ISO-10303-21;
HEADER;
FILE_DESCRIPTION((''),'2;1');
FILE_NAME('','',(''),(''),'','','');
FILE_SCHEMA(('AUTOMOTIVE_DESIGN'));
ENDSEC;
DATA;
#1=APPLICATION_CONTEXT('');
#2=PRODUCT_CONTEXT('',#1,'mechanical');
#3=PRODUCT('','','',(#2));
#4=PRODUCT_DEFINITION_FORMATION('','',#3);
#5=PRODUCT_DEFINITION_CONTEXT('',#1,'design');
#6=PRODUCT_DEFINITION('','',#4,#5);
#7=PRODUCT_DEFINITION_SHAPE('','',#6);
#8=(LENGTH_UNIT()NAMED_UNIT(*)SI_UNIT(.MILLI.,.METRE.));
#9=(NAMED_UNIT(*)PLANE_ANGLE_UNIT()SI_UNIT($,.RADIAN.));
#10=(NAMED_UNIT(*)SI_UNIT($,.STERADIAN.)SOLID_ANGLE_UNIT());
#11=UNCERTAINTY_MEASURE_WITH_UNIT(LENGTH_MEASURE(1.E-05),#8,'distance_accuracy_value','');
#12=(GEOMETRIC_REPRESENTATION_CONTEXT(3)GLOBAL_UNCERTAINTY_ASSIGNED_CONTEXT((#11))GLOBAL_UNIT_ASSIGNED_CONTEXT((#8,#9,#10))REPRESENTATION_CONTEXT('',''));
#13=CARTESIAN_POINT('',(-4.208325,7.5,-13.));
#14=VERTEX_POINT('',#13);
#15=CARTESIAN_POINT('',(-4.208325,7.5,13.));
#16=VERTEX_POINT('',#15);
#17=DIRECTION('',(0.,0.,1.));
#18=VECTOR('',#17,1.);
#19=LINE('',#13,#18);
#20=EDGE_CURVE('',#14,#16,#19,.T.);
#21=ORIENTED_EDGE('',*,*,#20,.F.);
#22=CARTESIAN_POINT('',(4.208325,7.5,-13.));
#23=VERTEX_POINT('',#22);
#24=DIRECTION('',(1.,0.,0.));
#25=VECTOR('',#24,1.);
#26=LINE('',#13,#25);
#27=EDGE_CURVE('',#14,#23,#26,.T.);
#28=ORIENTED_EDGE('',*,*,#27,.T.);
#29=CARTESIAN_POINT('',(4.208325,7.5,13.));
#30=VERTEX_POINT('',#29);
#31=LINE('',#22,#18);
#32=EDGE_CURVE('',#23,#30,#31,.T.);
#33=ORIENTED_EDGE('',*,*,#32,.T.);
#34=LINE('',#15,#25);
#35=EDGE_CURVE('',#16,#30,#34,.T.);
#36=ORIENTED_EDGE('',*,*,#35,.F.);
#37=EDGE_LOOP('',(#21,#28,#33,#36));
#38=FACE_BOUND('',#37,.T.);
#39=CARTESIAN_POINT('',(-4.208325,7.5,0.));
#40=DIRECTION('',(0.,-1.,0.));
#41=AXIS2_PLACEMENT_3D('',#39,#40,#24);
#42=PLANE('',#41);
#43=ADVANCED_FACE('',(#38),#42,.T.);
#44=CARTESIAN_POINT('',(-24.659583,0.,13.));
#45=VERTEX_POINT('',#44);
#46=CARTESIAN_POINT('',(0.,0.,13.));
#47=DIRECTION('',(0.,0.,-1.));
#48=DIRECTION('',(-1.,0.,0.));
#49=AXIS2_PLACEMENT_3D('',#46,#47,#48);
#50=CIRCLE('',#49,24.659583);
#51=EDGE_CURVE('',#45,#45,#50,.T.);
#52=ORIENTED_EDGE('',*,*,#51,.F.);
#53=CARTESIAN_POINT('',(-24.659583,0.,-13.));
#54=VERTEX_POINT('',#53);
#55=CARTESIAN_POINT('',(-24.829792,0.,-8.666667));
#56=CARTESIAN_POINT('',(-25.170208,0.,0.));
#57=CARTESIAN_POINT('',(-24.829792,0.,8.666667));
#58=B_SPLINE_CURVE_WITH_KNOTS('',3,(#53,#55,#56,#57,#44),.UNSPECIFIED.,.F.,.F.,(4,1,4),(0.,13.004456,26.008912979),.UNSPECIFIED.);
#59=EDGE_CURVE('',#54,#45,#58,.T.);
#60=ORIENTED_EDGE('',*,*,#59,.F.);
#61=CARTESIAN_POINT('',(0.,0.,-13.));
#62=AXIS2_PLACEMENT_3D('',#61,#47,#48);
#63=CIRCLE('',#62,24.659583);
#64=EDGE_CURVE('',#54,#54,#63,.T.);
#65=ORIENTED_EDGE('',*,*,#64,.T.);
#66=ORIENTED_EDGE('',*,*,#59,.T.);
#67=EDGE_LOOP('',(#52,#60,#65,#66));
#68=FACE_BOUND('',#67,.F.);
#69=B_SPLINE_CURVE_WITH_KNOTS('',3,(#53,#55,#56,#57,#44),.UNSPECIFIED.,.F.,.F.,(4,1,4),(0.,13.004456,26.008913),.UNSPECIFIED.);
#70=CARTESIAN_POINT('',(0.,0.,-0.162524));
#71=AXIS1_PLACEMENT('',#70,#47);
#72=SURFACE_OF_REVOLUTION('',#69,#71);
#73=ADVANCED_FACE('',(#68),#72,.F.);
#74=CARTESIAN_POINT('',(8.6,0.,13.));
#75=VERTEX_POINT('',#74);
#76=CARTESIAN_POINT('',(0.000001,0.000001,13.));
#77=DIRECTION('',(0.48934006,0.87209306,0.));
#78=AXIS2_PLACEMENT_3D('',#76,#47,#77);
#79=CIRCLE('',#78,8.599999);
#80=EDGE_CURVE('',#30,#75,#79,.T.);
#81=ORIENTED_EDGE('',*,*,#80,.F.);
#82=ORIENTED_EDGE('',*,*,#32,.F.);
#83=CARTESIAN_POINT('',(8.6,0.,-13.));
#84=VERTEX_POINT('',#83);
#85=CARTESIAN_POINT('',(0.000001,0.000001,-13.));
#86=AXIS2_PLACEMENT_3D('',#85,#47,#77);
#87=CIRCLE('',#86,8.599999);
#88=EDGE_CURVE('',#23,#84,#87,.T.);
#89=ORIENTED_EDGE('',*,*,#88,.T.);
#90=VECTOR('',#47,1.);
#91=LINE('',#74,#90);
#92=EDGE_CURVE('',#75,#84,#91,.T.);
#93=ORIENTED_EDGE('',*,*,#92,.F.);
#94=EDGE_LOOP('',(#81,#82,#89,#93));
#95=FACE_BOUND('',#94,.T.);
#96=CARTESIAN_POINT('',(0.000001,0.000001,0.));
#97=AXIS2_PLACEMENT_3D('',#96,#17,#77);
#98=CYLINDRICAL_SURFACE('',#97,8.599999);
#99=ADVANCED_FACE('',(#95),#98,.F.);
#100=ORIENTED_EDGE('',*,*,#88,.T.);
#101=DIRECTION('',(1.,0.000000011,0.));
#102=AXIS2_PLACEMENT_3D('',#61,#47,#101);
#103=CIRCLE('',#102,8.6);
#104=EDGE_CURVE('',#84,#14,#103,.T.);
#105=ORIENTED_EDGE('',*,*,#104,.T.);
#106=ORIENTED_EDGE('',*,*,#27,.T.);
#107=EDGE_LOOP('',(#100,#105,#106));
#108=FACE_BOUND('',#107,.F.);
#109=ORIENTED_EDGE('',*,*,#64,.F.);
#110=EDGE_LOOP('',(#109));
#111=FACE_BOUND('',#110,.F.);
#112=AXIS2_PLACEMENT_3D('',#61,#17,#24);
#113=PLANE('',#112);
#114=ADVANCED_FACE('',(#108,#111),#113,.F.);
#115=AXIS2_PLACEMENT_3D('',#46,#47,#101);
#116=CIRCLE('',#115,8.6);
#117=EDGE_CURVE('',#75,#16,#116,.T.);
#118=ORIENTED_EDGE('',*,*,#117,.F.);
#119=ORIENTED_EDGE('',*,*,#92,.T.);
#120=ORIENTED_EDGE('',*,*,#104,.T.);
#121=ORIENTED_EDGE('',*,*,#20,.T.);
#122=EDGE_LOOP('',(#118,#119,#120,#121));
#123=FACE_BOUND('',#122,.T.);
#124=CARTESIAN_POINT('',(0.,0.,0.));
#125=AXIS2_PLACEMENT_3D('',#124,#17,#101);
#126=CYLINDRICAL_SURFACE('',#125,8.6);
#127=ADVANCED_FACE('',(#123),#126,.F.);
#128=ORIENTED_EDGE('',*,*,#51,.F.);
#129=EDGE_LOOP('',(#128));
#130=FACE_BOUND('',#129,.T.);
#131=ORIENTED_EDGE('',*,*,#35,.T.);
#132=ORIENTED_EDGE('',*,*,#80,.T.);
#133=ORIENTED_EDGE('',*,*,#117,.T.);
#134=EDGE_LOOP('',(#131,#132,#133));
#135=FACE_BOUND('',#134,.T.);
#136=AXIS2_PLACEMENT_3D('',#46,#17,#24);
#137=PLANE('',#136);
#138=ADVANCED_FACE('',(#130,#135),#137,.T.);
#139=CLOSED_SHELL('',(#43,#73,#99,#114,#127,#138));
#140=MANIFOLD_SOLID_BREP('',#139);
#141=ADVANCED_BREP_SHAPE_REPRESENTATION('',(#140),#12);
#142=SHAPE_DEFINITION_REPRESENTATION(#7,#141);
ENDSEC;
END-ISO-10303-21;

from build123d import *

# Parameters (mm, degrees)
F0_R     = 25
F1_DEPTH = 13


with BuildPart() as f1:
    # F0 (on Top) → F1 (new body, symmetric)
    with BuildSketch(Plane.XY):
        Circle(F0_R)
        with BuildLine():
            ThreePointArc((4.208325, 7.5), (7.421307, 4.345596), (8.6, 0))
            ThreePointArc((8.6, 0), (-4.345596, -7.421307), (-4.208325, 7.5))
            ThreePointArc((-4.208325, 7.5), (0, 8.6), (4.208325, 7.5))
        make_face(mode=Mode.SUBTRACT)
        with BuildLine():
            Line((-4.208325, 7.5), (4.208325, 7.5))
            ThreePointArc((4.208325, 7.5), (0, 8.6), (-4.208325, 7.5))
        make_face()
    extrude(amount=F1_DEPTH, both=True)

    # F2 (on Front) → F3 (revolve, cut)
    with BuildSketch(Plane.XZ):
        with BuildLine():
            add(Edge.make_bspline(
                [(-24.659583, -13), (-24.829792, -8.666667), (-25.170208, 0), (-24.829792, 8.666667), (-24.659583, 13)],
                knots=[0, 0, 0, 0, 13.004456, 26.008913, 26.008913, 26.008913, 26.008913], degree=3))
            Line((-24.659583, 13), (-43.254843, 13))
            Line((-43.254843, 13), (-43.254843, -13))
            Line((-43.254843, -13), (-24.659583, -13))
        make_face()
    revolve(axis=Axis((0, 0, -0.162524), (0, 0, -1)), mode=Mode.SUBTRACT)


solid = f1.part
